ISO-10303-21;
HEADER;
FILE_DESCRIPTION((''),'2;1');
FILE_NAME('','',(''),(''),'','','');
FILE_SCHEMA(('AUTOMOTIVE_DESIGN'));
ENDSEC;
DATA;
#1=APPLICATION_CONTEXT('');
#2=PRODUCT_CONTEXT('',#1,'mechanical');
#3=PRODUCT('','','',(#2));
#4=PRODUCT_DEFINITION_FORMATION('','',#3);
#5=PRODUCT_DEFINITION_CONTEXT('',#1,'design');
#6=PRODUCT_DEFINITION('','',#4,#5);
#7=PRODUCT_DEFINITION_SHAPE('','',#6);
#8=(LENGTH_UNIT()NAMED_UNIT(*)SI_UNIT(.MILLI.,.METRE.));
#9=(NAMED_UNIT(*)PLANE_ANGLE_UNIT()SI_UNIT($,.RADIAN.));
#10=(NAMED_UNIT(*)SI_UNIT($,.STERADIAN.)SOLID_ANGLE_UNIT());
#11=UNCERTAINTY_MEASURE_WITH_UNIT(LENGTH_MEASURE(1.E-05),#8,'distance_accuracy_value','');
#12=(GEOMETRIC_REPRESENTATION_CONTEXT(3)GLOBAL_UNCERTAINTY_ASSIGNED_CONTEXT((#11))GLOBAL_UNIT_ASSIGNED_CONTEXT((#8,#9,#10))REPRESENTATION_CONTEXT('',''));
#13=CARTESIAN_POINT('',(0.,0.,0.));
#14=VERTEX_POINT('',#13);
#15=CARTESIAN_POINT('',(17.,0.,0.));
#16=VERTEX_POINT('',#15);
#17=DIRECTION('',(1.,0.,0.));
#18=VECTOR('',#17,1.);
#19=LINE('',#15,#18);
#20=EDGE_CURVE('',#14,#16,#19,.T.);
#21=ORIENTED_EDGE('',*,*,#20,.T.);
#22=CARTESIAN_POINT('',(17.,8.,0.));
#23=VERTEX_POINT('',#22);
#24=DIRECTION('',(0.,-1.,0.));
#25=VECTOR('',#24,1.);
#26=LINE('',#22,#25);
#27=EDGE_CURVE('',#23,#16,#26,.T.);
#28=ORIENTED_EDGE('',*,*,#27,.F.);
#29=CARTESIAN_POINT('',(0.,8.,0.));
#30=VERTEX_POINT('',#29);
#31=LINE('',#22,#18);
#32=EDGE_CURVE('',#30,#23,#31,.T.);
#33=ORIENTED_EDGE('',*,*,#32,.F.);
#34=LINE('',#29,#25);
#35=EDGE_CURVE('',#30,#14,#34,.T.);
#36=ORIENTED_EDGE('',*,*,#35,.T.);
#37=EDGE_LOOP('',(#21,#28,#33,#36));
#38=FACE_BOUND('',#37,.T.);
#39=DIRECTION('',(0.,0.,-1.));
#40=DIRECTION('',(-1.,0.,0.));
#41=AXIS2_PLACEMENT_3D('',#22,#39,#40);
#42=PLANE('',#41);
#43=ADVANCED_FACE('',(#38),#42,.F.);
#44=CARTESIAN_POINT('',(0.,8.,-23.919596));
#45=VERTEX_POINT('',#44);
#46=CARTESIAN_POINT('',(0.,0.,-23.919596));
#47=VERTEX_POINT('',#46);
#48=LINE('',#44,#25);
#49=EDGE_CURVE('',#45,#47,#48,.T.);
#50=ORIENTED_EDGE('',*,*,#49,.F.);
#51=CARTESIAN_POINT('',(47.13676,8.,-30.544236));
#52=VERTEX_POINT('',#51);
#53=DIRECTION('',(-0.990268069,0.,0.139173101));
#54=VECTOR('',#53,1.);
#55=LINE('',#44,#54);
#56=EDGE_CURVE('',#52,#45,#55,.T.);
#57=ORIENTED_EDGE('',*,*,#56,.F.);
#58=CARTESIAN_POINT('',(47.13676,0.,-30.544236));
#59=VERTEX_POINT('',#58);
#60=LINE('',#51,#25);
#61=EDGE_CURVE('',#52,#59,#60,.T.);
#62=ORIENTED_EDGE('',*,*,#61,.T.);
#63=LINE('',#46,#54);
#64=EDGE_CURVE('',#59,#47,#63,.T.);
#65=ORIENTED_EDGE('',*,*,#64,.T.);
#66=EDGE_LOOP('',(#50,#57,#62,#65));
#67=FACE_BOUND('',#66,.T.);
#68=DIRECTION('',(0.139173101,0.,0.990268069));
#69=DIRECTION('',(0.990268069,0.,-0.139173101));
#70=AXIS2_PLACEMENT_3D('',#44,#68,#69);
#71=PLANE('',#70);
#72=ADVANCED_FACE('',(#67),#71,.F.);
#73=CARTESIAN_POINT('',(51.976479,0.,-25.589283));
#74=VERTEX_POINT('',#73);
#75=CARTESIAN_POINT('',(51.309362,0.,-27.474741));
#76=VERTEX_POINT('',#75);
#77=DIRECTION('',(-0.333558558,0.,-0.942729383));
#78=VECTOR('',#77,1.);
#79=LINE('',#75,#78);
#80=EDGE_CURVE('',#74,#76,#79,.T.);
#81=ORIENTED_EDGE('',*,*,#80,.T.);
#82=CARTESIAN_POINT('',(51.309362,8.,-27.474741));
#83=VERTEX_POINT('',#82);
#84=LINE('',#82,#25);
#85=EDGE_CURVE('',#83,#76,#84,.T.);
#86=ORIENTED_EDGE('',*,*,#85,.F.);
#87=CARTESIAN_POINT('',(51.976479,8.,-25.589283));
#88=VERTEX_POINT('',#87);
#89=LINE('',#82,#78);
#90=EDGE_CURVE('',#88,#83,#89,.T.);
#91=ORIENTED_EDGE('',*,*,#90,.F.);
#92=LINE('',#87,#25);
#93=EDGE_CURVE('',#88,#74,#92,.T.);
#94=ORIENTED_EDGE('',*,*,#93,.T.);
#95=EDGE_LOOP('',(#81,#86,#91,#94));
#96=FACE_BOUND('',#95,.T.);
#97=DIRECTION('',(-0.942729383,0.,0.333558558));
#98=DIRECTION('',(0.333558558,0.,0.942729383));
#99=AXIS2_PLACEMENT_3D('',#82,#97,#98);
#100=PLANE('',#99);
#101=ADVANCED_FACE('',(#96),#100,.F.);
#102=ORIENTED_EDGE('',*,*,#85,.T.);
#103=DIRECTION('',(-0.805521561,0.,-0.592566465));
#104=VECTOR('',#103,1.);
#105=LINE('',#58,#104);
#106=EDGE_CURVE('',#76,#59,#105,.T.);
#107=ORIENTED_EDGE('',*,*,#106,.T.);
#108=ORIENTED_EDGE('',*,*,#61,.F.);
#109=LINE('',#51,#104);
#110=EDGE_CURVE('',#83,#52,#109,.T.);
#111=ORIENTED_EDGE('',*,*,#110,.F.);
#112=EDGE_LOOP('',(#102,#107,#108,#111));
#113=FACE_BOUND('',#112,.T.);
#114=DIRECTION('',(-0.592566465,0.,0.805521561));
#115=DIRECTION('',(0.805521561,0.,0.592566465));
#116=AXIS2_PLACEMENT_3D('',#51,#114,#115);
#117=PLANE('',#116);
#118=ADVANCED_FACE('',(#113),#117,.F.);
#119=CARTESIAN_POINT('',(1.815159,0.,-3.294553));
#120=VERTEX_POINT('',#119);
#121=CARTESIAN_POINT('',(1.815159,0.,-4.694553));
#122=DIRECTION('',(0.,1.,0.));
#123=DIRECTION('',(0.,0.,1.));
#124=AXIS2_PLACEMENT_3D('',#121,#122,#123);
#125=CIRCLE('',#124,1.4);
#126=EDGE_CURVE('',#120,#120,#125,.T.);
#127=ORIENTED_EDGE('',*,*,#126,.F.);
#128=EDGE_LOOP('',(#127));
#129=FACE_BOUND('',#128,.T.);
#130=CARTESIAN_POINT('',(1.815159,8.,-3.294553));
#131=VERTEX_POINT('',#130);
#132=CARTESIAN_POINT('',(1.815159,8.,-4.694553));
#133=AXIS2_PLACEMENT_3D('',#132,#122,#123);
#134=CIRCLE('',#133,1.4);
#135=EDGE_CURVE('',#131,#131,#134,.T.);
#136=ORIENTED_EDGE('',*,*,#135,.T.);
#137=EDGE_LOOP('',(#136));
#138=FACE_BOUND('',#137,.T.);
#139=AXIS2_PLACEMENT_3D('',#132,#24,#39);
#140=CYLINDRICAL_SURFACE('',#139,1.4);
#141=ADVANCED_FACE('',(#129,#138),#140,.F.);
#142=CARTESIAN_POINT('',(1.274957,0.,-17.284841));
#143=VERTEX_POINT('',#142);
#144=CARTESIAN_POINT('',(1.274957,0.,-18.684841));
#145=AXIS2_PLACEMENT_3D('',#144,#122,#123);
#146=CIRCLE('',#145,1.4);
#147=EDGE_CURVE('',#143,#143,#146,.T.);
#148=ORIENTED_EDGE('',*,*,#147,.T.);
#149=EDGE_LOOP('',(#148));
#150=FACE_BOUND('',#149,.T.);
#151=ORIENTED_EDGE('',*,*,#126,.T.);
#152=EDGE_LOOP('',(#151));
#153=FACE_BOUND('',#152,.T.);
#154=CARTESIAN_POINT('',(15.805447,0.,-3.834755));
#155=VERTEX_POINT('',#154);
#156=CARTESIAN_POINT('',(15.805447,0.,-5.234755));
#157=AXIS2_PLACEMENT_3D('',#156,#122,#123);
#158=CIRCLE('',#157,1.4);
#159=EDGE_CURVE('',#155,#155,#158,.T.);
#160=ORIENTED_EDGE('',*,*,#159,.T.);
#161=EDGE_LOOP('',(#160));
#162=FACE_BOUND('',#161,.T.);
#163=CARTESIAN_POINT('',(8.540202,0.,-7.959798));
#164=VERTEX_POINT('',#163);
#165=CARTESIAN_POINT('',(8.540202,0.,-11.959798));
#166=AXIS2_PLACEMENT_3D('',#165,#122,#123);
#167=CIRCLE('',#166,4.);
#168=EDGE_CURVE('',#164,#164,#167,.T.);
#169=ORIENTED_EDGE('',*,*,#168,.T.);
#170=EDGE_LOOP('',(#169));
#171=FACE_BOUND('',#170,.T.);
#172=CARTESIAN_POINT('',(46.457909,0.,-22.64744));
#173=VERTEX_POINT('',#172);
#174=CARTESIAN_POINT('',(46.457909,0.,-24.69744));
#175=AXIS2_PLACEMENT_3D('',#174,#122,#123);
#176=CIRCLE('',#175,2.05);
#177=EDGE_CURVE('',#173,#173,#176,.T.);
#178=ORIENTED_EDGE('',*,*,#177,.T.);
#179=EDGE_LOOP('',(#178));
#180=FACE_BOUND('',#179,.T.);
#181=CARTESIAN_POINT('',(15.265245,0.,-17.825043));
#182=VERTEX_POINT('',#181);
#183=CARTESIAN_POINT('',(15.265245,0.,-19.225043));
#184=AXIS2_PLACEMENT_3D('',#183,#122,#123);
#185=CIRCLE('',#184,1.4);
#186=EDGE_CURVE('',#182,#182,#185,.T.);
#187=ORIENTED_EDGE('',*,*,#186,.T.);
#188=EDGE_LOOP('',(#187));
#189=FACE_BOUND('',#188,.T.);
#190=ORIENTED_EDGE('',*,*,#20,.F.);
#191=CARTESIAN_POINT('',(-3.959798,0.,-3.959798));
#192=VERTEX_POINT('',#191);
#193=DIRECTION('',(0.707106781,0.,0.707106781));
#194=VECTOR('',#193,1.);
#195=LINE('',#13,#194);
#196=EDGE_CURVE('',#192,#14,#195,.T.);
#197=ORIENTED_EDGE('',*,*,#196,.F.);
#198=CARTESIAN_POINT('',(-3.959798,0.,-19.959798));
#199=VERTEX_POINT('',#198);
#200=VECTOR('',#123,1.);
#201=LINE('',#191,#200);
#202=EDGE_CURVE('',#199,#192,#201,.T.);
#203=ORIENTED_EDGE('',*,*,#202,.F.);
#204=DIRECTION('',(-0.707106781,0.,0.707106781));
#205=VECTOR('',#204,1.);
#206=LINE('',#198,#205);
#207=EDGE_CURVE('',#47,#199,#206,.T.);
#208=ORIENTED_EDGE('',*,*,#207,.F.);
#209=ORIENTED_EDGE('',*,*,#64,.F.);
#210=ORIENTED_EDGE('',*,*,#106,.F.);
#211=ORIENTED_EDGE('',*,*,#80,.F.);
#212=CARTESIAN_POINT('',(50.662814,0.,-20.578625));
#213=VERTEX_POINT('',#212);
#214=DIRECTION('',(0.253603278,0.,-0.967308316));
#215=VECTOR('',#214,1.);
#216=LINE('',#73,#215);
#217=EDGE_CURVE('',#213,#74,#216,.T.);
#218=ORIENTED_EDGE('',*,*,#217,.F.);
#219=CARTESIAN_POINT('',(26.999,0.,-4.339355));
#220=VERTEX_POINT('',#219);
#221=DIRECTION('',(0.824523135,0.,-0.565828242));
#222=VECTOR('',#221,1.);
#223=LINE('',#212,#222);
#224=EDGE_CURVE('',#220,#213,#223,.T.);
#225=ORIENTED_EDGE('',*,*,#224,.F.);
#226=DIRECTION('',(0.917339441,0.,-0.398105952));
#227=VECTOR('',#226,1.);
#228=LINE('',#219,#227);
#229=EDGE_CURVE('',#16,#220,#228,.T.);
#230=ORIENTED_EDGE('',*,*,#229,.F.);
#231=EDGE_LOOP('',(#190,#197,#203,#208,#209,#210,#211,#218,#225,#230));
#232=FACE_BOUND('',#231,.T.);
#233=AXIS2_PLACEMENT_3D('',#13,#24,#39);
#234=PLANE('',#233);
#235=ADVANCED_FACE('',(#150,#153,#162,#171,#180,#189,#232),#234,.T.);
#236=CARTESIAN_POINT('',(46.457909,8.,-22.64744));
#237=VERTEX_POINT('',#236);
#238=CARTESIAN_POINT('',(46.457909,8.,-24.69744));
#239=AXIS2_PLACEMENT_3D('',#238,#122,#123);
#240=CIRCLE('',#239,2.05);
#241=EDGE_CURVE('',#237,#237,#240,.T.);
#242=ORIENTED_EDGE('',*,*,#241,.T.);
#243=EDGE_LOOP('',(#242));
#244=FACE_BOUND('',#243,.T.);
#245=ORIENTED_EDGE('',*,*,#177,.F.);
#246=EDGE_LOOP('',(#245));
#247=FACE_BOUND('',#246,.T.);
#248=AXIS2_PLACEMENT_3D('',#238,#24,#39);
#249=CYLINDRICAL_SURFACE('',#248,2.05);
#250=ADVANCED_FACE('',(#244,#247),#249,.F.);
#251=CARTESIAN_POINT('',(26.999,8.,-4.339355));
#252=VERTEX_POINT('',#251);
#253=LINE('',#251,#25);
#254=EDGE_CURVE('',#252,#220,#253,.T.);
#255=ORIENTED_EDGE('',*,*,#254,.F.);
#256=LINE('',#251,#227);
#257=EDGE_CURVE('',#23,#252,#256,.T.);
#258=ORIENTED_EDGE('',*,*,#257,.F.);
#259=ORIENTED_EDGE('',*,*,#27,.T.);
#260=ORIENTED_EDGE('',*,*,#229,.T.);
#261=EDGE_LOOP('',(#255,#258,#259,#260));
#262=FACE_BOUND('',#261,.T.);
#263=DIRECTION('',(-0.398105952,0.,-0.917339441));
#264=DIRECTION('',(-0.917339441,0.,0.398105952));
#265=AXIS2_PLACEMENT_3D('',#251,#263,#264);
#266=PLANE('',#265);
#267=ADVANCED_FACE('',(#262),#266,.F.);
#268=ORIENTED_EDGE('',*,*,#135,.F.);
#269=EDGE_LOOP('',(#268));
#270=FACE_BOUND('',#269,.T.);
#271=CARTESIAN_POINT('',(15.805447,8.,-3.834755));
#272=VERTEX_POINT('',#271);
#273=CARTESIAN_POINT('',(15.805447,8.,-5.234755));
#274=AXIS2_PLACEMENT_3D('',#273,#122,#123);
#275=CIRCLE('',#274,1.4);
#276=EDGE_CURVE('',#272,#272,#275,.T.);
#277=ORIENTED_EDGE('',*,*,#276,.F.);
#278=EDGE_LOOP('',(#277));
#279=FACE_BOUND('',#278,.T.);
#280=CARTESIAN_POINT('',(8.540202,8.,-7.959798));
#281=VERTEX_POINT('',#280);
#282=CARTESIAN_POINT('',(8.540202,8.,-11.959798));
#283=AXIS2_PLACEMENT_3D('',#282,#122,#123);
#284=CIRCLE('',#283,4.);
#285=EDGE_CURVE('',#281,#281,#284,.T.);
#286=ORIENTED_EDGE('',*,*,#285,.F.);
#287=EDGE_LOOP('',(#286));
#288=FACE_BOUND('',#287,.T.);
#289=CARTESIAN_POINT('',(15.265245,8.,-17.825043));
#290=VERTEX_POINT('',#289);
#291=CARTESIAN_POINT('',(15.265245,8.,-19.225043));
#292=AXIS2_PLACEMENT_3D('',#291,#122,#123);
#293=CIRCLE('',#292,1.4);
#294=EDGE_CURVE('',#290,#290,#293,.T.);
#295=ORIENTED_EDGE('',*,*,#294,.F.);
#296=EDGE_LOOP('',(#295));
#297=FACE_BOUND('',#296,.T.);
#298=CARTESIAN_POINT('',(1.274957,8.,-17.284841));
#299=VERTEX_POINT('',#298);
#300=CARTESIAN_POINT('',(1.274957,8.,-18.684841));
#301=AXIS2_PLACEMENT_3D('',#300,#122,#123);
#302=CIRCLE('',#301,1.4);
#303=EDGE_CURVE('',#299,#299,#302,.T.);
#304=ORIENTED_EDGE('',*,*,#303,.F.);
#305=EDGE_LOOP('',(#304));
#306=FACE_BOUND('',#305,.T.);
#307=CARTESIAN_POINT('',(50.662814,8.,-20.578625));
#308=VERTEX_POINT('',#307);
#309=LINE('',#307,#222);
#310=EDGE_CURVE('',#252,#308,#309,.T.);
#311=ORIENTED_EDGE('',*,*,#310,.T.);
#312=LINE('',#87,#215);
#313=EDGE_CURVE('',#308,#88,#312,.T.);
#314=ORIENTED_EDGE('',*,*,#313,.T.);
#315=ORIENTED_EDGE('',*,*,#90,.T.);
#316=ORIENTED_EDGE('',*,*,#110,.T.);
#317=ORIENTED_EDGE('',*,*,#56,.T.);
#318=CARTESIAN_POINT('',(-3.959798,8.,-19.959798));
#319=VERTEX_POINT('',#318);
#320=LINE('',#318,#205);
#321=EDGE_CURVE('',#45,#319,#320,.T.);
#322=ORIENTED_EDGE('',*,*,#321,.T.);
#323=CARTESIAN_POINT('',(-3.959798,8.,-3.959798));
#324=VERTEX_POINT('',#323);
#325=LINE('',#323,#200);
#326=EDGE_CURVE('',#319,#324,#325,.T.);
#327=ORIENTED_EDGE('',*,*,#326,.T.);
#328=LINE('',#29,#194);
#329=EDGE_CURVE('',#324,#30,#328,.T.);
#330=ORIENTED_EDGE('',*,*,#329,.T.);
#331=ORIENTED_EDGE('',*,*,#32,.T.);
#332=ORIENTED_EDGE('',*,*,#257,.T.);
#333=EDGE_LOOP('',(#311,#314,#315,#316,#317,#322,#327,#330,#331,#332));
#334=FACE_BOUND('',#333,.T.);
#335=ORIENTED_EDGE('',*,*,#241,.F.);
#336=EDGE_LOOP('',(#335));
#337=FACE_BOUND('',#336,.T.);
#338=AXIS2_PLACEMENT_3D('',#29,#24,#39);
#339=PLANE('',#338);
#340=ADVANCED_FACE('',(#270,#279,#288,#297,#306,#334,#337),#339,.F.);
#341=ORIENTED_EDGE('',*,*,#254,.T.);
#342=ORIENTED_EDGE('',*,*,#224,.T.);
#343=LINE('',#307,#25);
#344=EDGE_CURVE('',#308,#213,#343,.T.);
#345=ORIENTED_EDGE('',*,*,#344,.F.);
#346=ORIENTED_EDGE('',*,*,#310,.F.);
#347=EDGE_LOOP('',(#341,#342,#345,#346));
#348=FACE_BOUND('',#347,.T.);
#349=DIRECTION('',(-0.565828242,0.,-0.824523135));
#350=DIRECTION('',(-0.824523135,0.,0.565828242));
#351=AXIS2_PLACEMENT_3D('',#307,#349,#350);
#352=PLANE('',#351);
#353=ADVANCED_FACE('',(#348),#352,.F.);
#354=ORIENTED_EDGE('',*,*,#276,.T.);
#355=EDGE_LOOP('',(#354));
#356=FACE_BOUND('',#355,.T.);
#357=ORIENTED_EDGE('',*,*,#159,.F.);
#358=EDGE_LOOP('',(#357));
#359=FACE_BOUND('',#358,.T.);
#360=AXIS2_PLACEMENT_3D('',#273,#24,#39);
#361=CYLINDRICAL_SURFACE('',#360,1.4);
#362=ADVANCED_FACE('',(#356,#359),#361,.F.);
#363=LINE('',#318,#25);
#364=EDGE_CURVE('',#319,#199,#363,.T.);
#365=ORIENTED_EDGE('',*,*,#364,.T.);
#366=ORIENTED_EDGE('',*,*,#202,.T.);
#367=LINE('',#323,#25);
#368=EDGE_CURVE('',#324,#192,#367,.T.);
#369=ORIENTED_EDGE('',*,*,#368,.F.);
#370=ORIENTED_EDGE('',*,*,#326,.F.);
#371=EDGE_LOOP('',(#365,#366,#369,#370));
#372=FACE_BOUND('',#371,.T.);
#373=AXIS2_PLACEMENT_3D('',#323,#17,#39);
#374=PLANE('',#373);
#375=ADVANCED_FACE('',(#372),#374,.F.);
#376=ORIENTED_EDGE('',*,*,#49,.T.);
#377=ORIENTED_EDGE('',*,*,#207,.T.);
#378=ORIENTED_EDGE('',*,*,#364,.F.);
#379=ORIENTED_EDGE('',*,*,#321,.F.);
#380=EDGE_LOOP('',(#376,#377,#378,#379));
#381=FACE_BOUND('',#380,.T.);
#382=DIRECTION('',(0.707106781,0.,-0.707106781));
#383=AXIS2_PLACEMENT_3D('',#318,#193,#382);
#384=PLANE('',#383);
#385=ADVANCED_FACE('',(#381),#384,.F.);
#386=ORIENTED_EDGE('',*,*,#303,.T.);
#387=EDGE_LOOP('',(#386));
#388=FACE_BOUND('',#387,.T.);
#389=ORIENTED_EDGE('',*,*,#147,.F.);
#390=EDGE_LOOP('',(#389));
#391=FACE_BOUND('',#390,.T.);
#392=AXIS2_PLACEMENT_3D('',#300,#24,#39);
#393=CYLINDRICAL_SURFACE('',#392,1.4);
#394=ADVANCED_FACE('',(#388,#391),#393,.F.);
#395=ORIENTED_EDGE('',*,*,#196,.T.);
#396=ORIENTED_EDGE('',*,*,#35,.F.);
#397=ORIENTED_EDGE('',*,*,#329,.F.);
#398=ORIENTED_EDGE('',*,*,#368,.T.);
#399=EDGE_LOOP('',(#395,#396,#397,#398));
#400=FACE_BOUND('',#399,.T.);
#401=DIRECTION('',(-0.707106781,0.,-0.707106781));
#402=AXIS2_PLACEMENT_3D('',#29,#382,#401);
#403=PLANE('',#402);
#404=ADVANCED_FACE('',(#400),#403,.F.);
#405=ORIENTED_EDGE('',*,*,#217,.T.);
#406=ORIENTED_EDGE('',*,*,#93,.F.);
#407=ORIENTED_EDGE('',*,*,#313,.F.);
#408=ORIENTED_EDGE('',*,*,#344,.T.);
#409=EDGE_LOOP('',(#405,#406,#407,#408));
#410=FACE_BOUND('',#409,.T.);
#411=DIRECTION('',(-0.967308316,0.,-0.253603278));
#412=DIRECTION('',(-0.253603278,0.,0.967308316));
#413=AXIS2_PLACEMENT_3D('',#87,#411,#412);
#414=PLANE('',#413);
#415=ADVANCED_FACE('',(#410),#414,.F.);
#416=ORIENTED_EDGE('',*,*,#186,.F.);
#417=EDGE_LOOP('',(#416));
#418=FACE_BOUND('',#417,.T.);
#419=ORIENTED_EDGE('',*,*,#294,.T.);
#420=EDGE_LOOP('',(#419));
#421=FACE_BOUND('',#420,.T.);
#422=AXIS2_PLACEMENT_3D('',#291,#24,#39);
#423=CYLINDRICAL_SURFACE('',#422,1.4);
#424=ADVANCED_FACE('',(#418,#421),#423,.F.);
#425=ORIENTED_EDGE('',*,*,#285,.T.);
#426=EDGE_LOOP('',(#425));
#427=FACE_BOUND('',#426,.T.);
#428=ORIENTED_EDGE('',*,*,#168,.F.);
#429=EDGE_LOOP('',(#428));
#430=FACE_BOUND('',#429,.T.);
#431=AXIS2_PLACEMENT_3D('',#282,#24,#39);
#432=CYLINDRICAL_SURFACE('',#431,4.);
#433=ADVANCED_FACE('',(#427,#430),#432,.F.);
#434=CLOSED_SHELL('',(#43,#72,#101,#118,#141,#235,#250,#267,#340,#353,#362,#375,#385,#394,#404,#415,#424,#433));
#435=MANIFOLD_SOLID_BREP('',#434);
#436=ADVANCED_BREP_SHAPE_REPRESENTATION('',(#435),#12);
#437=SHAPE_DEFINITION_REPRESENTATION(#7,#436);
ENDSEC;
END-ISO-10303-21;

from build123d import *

# Parameters (mm, degrees)
SKETCH_1_R      = 4
SKETCH_1_R_2    = 2.05
SKETCH_1_R_3    = 1.4
EXTRUDE_1_DEPTH = 8


with BuildPart() as part:
    # 草图1 → 凸台-拉伸1 (new body)
    with BuildSketch(Plane(origin=(0, 0, 0), x_dir=(1, 0, 0), z_dir=(0, 1, 0))):
        Polygon((0, 0), (-3.959797975, 3.959797975), (-3.959797975, 19.959797975), (0, 23.919595949), (47.136760072, 30.544235555), (51.309361757, 27.474741267), (51.976478872, 25.589282502), (50.662813892, 20.578625428), (26.998999911, 4.339354882), (17, 0), align=None)
        with Locations(Location((8.540202025, 11.959797975, 0), (0, 0, 270))):
            Circle(SKETCH_1_R, mode=Mode.SUBTRACT)
        with Locations(Location((46.457908711, 24.697439818, 0), (0, 0, 270))):
            Circle(SKETCH_1_R_2, mode=Mode.SUBTRACT)
        with Locations(Location((1.274956594, 18.684841381, 0), (0, 0, 270))):
            Circle(SKETCH_1_R_3, mode=Mode.SUBTRACT)
        with Locations(Location((15.265245432, 19.225043406, 0), (0, 0, 270))):
            Circle(SKETCH_1_R_3, mode=Mode.SUBTRACT)
        with Locations(Location((15.805447457, 5.234754568, 0), (0, 0, 270))):
            Circle(SKETCH_1_R_3, mode=Mode.SUBTRACT)
        with Locations(Location((1.815158619, 4.694552543, 0), (0, 0, 270))):
            Circle(SKETCH_1_R_3, mode=Mode.SUBTRACT)
    extrude(amount=EXTRUDE_1_DEPTH)


solid = part.part
